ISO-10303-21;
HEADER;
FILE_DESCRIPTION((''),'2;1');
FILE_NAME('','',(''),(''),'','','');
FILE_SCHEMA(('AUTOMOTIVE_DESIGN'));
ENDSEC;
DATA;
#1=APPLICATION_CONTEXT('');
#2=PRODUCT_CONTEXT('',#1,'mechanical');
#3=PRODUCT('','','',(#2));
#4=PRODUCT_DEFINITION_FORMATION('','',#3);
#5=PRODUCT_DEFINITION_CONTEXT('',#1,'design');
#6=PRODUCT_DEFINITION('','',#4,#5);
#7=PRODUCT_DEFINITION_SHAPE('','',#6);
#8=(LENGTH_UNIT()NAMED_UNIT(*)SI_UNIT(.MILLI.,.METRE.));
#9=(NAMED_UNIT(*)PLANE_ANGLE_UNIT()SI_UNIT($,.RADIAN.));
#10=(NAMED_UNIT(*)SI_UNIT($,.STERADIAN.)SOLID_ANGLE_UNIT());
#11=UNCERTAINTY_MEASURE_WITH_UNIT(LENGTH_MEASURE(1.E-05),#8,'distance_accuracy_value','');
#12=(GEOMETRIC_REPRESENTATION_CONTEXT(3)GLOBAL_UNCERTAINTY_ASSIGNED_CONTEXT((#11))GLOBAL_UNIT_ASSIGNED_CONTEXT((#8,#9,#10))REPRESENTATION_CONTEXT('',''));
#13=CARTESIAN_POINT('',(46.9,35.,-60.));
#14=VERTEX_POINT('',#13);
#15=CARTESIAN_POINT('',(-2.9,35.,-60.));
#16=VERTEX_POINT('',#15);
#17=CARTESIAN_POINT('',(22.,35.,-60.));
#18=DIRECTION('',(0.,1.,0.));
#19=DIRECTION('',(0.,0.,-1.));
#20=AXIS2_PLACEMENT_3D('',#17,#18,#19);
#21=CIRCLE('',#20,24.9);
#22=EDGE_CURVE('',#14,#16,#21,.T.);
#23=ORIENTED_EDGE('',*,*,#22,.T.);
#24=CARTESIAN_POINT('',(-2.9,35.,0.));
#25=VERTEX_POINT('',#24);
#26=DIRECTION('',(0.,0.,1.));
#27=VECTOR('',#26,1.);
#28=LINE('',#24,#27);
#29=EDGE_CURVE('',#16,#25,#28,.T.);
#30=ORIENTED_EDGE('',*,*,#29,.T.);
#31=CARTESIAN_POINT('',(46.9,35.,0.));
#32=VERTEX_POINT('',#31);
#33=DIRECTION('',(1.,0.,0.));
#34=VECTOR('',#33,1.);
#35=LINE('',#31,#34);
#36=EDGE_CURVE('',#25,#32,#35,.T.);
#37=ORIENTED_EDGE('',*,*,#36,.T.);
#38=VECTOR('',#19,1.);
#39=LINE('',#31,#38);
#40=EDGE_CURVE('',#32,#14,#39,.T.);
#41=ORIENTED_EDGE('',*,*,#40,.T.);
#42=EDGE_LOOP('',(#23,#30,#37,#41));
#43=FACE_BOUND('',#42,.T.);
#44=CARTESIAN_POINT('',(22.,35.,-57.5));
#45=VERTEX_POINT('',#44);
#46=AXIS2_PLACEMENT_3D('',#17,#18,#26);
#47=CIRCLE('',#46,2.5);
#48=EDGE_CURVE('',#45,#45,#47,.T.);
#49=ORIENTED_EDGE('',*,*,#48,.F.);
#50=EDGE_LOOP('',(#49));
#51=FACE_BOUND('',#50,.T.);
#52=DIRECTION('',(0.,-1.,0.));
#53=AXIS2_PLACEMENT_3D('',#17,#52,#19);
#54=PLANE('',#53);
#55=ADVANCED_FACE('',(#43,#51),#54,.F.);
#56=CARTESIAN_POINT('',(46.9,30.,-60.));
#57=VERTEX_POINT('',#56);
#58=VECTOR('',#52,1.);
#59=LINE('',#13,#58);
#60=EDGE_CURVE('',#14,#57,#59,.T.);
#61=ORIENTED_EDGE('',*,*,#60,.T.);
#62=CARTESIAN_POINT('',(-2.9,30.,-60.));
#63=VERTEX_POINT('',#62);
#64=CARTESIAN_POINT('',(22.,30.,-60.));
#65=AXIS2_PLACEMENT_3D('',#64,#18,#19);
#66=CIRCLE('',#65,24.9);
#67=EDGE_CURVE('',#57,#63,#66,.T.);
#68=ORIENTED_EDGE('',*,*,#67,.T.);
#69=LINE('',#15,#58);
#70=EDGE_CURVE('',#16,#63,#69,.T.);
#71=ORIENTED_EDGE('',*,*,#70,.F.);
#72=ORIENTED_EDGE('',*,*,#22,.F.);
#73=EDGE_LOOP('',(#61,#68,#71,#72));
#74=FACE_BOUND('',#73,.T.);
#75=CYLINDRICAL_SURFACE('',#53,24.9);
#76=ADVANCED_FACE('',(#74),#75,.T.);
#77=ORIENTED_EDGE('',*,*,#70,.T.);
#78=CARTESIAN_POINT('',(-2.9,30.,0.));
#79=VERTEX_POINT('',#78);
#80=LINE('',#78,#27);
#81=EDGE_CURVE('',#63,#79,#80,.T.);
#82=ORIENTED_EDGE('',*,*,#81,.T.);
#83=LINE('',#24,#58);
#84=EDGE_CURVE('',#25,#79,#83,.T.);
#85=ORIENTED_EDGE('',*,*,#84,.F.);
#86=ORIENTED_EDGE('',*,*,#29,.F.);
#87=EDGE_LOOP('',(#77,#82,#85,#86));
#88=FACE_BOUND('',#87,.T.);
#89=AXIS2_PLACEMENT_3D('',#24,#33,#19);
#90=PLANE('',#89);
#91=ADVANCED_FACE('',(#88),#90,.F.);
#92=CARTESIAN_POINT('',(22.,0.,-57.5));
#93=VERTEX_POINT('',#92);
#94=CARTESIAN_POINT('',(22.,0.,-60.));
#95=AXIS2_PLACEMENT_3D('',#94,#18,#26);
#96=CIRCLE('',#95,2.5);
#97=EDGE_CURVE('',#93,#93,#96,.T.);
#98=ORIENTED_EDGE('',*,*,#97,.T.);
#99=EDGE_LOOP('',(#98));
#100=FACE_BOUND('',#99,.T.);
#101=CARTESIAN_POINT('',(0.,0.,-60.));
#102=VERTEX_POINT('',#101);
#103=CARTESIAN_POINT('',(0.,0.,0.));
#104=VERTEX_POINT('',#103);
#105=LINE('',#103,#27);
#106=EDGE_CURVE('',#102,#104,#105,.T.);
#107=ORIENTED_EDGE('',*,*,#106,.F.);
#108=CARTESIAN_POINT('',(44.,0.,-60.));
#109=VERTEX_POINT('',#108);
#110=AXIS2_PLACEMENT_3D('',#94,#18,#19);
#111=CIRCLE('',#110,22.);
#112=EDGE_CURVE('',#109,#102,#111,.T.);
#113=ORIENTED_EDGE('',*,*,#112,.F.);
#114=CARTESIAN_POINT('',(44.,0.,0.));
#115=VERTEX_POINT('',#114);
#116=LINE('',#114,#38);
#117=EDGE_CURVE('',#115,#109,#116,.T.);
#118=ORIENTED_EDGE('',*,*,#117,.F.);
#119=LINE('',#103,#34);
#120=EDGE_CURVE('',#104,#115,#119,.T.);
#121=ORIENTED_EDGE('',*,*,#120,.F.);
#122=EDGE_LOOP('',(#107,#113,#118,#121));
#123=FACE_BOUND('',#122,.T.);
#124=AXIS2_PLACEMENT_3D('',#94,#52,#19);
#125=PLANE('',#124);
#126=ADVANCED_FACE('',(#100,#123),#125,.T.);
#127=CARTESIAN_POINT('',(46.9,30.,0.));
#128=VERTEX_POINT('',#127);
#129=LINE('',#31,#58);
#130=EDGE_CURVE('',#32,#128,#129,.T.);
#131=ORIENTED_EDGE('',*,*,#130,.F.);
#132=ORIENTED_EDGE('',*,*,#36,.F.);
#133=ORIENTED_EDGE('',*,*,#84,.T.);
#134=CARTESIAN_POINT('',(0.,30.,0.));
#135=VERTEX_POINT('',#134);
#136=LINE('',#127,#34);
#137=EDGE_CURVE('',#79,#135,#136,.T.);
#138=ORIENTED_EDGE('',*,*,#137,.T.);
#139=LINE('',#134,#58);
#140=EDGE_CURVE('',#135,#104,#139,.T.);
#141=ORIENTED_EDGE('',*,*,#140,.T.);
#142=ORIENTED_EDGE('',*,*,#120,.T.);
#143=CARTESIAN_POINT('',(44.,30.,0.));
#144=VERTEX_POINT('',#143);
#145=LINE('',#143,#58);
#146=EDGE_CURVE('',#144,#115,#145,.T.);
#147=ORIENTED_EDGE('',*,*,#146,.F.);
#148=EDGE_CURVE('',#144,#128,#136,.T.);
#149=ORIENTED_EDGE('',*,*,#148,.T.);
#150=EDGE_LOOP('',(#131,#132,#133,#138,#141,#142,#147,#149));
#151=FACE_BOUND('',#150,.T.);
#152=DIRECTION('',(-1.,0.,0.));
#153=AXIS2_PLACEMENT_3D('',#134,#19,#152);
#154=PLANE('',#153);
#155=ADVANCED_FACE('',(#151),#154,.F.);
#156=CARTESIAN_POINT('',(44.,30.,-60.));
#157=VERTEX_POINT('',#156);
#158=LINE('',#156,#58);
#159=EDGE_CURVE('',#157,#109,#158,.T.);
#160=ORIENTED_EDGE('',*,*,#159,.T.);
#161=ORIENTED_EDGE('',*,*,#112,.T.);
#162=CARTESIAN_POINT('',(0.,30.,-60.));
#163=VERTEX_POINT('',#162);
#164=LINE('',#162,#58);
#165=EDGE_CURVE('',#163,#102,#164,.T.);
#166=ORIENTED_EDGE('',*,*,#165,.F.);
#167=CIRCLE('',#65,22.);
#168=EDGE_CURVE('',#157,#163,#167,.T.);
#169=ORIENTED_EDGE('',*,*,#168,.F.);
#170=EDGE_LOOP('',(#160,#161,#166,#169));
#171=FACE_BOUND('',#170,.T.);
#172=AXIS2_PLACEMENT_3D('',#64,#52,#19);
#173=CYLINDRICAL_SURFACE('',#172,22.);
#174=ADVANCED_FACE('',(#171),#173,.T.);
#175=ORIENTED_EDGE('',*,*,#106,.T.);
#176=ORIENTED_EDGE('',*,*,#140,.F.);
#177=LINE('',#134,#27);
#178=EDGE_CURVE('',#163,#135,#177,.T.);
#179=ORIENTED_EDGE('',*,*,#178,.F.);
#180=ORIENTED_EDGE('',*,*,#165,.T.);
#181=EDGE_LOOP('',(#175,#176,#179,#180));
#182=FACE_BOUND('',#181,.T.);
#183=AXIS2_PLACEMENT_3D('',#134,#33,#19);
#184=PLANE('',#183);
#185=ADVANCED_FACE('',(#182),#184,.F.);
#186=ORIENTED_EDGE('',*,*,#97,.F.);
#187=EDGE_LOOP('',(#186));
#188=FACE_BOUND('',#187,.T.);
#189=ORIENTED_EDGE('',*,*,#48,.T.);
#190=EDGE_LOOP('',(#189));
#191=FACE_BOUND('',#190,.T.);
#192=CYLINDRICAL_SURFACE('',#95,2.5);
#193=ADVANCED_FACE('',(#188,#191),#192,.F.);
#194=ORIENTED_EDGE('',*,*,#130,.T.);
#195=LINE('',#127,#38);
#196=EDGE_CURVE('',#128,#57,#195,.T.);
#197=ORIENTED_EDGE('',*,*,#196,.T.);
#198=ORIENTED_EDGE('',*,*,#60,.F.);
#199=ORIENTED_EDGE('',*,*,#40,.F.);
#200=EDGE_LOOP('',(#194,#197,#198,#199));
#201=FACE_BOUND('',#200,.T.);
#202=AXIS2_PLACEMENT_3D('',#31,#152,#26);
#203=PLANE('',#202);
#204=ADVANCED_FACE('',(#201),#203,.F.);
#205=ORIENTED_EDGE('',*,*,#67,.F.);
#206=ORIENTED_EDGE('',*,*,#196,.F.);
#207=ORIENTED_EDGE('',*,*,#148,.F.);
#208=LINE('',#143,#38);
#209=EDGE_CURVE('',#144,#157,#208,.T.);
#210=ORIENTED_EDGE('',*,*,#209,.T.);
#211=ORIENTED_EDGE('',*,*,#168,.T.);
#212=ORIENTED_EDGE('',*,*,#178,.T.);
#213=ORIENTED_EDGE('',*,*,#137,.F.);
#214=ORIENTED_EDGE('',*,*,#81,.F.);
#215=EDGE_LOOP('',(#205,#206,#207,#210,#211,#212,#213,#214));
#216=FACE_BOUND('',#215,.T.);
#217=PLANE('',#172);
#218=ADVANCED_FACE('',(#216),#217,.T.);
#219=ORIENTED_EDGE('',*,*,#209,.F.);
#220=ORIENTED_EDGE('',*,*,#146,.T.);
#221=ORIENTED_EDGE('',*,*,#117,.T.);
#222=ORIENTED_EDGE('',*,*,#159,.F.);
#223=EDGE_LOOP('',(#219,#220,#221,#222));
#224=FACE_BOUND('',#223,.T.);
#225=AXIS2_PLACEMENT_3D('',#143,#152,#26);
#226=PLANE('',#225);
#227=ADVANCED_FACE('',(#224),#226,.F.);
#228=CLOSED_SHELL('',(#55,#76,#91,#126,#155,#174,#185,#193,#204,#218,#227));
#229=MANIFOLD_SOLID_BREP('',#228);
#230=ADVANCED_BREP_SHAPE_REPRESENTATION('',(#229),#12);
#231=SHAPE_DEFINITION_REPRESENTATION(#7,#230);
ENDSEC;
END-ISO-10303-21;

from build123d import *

# Parameters (mm, degrees)
BOSS_EXTRUDE1_DEPTH = 30
BOSS_EXTRUDE2_DEPTH = 5
SKETCH3_R           = 2.5
CUT_EXTRUDE1_DEPTH  = 104.114596445


with BuildPart() as part:
    # Sketch1 → Boss-Extrude1 (new body)
    with BuildSketch(Plane(origin=(0, 0, 0), x_dir=(1, 0, 0), z_dir=(0, 1, 0))):
        with BuildLine():
            Line((0, 0), (44, 0))
            Line((44, 0), (44, 60))
            ThreePointArc((44, 60), (22, 82), (0, 60))
            Line((0, 60), (0, 0))
        make_face()
    extrude(amount=BOSS_EXTRUDE1_DEPTH)

    # Sketch2 → Boss-Extrude2 (add)
    with BuildSketch(Plane(origin=(0, 30, 0), x_dir=(1, 0, 0), z_dir=(0, 1, 0))):
        with BuildLine():
            Line((46.9, 0), (-2.9, 0))
            Line((-2.9, 0), (-2.9, 60))
            ThreePointArc((-2.9, 60), (22, 84.9), (46.9, 60))
            Line((46.9, 60), (46.9, 0))
        make_face()
    extrude(amount=BOSS_EXTRUDE2_DEPTH)

    # Sketch3 → Cut-Extrude1 (cut, through all)
    with BuildSketch(Plane(origin=(0, 35, 0), x_dir=(1, 0, 0), z_dir=(0, 1, 0))):
        with Locations(Location((22, 60, 0), (0, 0, 270))):
            Circle(SKETCH3_R)
    extrude(amount=-CUT_EXTRUDE1_DEPTH, mode=Mode.SUBTRACT)


solid = part.part
